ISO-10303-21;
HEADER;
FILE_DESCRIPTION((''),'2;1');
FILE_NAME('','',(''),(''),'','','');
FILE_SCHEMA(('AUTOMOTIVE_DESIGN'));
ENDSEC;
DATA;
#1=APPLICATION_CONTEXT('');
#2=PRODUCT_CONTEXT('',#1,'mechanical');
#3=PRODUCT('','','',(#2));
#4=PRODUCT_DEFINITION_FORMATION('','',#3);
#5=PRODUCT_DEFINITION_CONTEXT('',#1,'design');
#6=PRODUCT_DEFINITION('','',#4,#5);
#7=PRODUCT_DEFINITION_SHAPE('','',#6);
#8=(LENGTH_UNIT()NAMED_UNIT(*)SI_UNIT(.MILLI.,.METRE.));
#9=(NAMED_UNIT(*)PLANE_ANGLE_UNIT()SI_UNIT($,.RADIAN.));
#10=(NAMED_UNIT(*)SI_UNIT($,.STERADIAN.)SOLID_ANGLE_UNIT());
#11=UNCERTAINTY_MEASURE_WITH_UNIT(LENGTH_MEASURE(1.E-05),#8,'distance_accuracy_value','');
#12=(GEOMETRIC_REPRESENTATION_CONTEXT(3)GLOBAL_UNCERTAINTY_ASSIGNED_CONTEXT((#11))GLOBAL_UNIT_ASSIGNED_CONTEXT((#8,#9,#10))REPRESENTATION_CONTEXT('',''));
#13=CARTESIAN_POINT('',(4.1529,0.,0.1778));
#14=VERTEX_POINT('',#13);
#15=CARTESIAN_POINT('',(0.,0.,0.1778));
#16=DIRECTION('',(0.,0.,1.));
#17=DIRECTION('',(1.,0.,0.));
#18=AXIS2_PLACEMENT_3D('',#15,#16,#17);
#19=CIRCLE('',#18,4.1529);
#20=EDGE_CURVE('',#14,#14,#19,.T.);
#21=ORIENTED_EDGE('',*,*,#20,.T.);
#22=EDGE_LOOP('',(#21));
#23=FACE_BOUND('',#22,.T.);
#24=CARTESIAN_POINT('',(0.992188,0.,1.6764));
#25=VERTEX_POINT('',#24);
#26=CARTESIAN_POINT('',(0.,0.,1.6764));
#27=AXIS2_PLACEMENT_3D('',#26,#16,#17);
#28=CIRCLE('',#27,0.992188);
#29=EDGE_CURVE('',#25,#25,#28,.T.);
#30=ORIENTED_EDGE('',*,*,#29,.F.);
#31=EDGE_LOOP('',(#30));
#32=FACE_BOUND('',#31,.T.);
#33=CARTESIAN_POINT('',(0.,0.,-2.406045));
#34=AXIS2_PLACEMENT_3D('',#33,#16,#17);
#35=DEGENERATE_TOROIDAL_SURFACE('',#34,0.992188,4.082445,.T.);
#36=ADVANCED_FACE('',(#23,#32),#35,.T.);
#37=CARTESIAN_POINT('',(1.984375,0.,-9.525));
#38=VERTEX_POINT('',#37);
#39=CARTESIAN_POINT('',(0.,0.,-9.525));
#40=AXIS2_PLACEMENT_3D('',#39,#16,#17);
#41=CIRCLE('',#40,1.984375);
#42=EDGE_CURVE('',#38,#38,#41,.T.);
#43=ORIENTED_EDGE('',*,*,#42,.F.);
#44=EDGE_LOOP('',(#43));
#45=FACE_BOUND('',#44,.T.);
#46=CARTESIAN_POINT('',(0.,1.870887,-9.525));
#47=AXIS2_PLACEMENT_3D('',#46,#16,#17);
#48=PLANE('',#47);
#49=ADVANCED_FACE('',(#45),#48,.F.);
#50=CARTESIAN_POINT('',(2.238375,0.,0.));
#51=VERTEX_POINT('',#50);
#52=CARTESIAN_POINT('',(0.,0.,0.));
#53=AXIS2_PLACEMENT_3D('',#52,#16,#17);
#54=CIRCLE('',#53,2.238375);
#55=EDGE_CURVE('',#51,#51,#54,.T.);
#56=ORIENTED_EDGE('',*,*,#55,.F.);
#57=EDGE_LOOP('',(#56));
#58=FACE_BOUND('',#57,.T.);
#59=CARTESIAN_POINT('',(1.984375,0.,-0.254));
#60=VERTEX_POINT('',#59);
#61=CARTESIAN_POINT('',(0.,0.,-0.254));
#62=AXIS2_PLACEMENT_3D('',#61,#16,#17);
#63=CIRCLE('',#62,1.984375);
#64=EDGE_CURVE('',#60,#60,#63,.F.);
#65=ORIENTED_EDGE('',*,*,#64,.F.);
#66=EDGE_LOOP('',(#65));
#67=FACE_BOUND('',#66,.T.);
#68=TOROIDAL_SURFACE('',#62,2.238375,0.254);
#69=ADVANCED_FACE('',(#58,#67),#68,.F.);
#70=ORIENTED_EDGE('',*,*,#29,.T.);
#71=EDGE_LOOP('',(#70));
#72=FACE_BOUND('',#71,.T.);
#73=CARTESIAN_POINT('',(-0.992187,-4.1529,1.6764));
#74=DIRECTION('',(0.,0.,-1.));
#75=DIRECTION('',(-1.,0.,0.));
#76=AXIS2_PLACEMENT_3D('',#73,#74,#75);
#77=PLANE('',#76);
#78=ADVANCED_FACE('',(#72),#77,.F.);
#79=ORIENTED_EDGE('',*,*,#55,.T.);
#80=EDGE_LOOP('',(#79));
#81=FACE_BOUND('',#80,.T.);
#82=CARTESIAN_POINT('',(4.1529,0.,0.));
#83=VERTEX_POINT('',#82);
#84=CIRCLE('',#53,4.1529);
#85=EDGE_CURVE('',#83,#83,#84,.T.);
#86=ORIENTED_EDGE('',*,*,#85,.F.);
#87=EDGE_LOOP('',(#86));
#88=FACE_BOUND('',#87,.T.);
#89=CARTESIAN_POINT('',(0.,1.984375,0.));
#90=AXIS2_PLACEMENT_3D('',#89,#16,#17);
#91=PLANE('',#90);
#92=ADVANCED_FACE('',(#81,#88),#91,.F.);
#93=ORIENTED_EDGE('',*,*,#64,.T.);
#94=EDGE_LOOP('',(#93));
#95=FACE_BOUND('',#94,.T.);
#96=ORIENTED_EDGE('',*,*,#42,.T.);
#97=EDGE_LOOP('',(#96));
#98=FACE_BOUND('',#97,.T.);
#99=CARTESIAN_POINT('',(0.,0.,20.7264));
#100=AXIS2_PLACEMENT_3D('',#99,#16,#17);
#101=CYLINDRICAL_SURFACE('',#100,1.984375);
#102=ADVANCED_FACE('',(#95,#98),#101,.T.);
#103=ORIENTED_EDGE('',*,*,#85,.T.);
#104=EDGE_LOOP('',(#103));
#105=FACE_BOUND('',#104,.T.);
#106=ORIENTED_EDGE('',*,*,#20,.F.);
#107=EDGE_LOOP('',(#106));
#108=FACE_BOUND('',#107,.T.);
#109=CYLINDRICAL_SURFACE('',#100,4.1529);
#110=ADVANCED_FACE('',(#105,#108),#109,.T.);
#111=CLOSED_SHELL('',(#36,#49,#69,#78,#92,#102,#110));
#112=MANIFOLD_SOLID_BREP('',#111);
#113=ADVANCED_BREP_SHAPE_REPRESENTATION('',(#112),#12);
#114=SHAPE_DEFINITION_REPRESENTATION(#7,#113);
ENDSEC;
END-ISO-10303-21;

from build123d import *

# Parameters (mm, degrees)
CUT_EXTRUDE1_DEPTH      = 22.542442188
CUT_EXTRUDE1_DEPTH_BACK = 22.542442188
CUT_EXTRUDE2_DEPTH      = 22.542442188
CUT_EXTRUDE2_DEPTH_BACK = 22.542442188
FILLET2_R               = 0.254
LPATTERN1_COUNT         = 18
LPATTERN1_PITCH         = 0.762
CUT_EXTRUDE3_DEPTH      = 22.542442285
CUT_EXTRUDE3_DEPTH_BACK = 22.542442285
SKETCH7_W               = 2.637927388
SKETCH7_H               = 20.320175892


with BuildPart() as part:
    # Sketch2 → Revolve1 (revolve)
    with BuildSketch(Plane(origin=(0, 0, 0), x_dir=(0, 0, -1), z_dir=(1, 0, 0)), mode=Mode.PRIVATE) as revolve1_sk:
        with BuildLine():
            Line((-20.7264, 0), (-20.7264, 0.9921875))
            Line((-20.7264, 0.9921875), (-1.6764, 0.9921875))
            ThreePointArc((-1.6764, 0.9921875), (-1.282773396, 2.741180458), (-0.1778, 4.1529))
            Line((-0.1778, 4.1529), (0, 4.1529))
            Line((0, 4.1529), (0, 1.984375))
            Line((0, 1.984375), (9.525, 1.984375))
            Line((9.525, 1.984375), (9.525, 1.870886692))
            Line((9.525, 1.870886692), (9.525, 0))
            Line((9.525, 0), (-20.7264, 0))
        make_face()
    revolve(revolve1_sk.sketch.rotate(Axis((0, 0, 20.7264), (0, 0, -1)), 90), axis=Axis((0, 0, 20.7264), (0, 0, -1)))

    # Sketch3 → Cut-Extrude1 (cut, two sides: drawn at the far end of the back side and taken through both)
    with BuildSketch(Plane(origin=(0, 0, 0), x_dir=(1, 0, 0), z_dir=(0, 1, 0)).offset(-CUT_EXTRUDE1_DEPTH_BACK)):
        Polygon((0, -20.7264), (1.1953875, -19.16854068), (1.1953875, -21.2344), (-1.1953875, -21.2344), (-1.1953875, -19.16854068), align=None)
    extrude(amount=CUT_EXTRUDE1_DEPTH + CUT_EXTRUDE1_DEPTH_BACK, mode=Mode.SUBTRACT)

    # Sketch5 → Cut-Extrude2 (cut, two sides: drawn at the far end of the back side and taken through both)
    with BuildSketch(Plane(origin=(0, 0, 0), x_dir=(0, 0, -1), z_dir=(1, 0, 0)).offset(-CUT_EXTRUDE2_DEPTH_BACK)):
        Polygon((-20.7264, 0), (-19.433356075, 1.3096875), (-21.0439, 1.3096875), (-21.0439, -1.3096875), (-19.433356075, -1.3096875), align=None)
    extrude(amount=CUT_EXTRUDE2_DEPTH + CUT_EXTRUDE2_DEPTH_BACK, mode=Mode.SUBTRACT)

    # Fillet2
    fillet2_edges = [part.edges().sort_by_distance(p)[0] for p in [
        (-1.984375, 0, 0),
    ]]
    fillet(fillet2_edges, radius=FILLET2_R)

    # Sketch6 → Cut-Revolve1 (revolve, cut)
    with BuildSketch(Plane(origin=(0, 0, 0), x_dir=(0, 0, -1), z_dir=(1, 0, 0)), mode=Mode.PRIVATE) as cut_revolve1_sk:
        with BuildLine():
            Line((-6.5913, 0.9921875), (-6.4389, 0.9921875))
            ThreePointArc((-6.4389, 0.9921875), (-6.5151, 0.9159875), (-6.5913, 0.9921875))
        make_face()
    cut_revolve1 = revolve(cut_revolve1_sk.sketch.rotate(Axis((0, 0, 20.7264), (0, 0, -1)), 90), axis=Axis((0, 0, 20.7264), (0, 0, -1)), mode=Mode.SUBTRACT)

    # LPattern1: Cut-Revolve1 ×18
    with Locations(*[(0, 0, i * LPATTERN1_PITCH) for i in range(1, LPATTERN1_COUNT)]):
        add(cut_revolve1, mode=Mode.SUBTRACT)

    # Sketch7 → Cut-Extrude3 (cut, two sides: drawn at the far end of the back side and taken through both)
    with BuildSketch(Plane(origin=(0, 0, 0), x_dir=(1, 0, 0), z_dir=(0, 1, 0)).offset(-CUT_EXTRUDE3_DEPTH_BACK)):
        with Locations((0.326776194, -11.836487946)):
            Rectangle(SKETCH7_W, SKETCH7_H)
    extrude(amount=CUT_EXTRUDE3_DEPTH + CUT_EXTRUDE3_DEPTH_BACK, mode=Mode.SUBTRACT)


solid = part.part
